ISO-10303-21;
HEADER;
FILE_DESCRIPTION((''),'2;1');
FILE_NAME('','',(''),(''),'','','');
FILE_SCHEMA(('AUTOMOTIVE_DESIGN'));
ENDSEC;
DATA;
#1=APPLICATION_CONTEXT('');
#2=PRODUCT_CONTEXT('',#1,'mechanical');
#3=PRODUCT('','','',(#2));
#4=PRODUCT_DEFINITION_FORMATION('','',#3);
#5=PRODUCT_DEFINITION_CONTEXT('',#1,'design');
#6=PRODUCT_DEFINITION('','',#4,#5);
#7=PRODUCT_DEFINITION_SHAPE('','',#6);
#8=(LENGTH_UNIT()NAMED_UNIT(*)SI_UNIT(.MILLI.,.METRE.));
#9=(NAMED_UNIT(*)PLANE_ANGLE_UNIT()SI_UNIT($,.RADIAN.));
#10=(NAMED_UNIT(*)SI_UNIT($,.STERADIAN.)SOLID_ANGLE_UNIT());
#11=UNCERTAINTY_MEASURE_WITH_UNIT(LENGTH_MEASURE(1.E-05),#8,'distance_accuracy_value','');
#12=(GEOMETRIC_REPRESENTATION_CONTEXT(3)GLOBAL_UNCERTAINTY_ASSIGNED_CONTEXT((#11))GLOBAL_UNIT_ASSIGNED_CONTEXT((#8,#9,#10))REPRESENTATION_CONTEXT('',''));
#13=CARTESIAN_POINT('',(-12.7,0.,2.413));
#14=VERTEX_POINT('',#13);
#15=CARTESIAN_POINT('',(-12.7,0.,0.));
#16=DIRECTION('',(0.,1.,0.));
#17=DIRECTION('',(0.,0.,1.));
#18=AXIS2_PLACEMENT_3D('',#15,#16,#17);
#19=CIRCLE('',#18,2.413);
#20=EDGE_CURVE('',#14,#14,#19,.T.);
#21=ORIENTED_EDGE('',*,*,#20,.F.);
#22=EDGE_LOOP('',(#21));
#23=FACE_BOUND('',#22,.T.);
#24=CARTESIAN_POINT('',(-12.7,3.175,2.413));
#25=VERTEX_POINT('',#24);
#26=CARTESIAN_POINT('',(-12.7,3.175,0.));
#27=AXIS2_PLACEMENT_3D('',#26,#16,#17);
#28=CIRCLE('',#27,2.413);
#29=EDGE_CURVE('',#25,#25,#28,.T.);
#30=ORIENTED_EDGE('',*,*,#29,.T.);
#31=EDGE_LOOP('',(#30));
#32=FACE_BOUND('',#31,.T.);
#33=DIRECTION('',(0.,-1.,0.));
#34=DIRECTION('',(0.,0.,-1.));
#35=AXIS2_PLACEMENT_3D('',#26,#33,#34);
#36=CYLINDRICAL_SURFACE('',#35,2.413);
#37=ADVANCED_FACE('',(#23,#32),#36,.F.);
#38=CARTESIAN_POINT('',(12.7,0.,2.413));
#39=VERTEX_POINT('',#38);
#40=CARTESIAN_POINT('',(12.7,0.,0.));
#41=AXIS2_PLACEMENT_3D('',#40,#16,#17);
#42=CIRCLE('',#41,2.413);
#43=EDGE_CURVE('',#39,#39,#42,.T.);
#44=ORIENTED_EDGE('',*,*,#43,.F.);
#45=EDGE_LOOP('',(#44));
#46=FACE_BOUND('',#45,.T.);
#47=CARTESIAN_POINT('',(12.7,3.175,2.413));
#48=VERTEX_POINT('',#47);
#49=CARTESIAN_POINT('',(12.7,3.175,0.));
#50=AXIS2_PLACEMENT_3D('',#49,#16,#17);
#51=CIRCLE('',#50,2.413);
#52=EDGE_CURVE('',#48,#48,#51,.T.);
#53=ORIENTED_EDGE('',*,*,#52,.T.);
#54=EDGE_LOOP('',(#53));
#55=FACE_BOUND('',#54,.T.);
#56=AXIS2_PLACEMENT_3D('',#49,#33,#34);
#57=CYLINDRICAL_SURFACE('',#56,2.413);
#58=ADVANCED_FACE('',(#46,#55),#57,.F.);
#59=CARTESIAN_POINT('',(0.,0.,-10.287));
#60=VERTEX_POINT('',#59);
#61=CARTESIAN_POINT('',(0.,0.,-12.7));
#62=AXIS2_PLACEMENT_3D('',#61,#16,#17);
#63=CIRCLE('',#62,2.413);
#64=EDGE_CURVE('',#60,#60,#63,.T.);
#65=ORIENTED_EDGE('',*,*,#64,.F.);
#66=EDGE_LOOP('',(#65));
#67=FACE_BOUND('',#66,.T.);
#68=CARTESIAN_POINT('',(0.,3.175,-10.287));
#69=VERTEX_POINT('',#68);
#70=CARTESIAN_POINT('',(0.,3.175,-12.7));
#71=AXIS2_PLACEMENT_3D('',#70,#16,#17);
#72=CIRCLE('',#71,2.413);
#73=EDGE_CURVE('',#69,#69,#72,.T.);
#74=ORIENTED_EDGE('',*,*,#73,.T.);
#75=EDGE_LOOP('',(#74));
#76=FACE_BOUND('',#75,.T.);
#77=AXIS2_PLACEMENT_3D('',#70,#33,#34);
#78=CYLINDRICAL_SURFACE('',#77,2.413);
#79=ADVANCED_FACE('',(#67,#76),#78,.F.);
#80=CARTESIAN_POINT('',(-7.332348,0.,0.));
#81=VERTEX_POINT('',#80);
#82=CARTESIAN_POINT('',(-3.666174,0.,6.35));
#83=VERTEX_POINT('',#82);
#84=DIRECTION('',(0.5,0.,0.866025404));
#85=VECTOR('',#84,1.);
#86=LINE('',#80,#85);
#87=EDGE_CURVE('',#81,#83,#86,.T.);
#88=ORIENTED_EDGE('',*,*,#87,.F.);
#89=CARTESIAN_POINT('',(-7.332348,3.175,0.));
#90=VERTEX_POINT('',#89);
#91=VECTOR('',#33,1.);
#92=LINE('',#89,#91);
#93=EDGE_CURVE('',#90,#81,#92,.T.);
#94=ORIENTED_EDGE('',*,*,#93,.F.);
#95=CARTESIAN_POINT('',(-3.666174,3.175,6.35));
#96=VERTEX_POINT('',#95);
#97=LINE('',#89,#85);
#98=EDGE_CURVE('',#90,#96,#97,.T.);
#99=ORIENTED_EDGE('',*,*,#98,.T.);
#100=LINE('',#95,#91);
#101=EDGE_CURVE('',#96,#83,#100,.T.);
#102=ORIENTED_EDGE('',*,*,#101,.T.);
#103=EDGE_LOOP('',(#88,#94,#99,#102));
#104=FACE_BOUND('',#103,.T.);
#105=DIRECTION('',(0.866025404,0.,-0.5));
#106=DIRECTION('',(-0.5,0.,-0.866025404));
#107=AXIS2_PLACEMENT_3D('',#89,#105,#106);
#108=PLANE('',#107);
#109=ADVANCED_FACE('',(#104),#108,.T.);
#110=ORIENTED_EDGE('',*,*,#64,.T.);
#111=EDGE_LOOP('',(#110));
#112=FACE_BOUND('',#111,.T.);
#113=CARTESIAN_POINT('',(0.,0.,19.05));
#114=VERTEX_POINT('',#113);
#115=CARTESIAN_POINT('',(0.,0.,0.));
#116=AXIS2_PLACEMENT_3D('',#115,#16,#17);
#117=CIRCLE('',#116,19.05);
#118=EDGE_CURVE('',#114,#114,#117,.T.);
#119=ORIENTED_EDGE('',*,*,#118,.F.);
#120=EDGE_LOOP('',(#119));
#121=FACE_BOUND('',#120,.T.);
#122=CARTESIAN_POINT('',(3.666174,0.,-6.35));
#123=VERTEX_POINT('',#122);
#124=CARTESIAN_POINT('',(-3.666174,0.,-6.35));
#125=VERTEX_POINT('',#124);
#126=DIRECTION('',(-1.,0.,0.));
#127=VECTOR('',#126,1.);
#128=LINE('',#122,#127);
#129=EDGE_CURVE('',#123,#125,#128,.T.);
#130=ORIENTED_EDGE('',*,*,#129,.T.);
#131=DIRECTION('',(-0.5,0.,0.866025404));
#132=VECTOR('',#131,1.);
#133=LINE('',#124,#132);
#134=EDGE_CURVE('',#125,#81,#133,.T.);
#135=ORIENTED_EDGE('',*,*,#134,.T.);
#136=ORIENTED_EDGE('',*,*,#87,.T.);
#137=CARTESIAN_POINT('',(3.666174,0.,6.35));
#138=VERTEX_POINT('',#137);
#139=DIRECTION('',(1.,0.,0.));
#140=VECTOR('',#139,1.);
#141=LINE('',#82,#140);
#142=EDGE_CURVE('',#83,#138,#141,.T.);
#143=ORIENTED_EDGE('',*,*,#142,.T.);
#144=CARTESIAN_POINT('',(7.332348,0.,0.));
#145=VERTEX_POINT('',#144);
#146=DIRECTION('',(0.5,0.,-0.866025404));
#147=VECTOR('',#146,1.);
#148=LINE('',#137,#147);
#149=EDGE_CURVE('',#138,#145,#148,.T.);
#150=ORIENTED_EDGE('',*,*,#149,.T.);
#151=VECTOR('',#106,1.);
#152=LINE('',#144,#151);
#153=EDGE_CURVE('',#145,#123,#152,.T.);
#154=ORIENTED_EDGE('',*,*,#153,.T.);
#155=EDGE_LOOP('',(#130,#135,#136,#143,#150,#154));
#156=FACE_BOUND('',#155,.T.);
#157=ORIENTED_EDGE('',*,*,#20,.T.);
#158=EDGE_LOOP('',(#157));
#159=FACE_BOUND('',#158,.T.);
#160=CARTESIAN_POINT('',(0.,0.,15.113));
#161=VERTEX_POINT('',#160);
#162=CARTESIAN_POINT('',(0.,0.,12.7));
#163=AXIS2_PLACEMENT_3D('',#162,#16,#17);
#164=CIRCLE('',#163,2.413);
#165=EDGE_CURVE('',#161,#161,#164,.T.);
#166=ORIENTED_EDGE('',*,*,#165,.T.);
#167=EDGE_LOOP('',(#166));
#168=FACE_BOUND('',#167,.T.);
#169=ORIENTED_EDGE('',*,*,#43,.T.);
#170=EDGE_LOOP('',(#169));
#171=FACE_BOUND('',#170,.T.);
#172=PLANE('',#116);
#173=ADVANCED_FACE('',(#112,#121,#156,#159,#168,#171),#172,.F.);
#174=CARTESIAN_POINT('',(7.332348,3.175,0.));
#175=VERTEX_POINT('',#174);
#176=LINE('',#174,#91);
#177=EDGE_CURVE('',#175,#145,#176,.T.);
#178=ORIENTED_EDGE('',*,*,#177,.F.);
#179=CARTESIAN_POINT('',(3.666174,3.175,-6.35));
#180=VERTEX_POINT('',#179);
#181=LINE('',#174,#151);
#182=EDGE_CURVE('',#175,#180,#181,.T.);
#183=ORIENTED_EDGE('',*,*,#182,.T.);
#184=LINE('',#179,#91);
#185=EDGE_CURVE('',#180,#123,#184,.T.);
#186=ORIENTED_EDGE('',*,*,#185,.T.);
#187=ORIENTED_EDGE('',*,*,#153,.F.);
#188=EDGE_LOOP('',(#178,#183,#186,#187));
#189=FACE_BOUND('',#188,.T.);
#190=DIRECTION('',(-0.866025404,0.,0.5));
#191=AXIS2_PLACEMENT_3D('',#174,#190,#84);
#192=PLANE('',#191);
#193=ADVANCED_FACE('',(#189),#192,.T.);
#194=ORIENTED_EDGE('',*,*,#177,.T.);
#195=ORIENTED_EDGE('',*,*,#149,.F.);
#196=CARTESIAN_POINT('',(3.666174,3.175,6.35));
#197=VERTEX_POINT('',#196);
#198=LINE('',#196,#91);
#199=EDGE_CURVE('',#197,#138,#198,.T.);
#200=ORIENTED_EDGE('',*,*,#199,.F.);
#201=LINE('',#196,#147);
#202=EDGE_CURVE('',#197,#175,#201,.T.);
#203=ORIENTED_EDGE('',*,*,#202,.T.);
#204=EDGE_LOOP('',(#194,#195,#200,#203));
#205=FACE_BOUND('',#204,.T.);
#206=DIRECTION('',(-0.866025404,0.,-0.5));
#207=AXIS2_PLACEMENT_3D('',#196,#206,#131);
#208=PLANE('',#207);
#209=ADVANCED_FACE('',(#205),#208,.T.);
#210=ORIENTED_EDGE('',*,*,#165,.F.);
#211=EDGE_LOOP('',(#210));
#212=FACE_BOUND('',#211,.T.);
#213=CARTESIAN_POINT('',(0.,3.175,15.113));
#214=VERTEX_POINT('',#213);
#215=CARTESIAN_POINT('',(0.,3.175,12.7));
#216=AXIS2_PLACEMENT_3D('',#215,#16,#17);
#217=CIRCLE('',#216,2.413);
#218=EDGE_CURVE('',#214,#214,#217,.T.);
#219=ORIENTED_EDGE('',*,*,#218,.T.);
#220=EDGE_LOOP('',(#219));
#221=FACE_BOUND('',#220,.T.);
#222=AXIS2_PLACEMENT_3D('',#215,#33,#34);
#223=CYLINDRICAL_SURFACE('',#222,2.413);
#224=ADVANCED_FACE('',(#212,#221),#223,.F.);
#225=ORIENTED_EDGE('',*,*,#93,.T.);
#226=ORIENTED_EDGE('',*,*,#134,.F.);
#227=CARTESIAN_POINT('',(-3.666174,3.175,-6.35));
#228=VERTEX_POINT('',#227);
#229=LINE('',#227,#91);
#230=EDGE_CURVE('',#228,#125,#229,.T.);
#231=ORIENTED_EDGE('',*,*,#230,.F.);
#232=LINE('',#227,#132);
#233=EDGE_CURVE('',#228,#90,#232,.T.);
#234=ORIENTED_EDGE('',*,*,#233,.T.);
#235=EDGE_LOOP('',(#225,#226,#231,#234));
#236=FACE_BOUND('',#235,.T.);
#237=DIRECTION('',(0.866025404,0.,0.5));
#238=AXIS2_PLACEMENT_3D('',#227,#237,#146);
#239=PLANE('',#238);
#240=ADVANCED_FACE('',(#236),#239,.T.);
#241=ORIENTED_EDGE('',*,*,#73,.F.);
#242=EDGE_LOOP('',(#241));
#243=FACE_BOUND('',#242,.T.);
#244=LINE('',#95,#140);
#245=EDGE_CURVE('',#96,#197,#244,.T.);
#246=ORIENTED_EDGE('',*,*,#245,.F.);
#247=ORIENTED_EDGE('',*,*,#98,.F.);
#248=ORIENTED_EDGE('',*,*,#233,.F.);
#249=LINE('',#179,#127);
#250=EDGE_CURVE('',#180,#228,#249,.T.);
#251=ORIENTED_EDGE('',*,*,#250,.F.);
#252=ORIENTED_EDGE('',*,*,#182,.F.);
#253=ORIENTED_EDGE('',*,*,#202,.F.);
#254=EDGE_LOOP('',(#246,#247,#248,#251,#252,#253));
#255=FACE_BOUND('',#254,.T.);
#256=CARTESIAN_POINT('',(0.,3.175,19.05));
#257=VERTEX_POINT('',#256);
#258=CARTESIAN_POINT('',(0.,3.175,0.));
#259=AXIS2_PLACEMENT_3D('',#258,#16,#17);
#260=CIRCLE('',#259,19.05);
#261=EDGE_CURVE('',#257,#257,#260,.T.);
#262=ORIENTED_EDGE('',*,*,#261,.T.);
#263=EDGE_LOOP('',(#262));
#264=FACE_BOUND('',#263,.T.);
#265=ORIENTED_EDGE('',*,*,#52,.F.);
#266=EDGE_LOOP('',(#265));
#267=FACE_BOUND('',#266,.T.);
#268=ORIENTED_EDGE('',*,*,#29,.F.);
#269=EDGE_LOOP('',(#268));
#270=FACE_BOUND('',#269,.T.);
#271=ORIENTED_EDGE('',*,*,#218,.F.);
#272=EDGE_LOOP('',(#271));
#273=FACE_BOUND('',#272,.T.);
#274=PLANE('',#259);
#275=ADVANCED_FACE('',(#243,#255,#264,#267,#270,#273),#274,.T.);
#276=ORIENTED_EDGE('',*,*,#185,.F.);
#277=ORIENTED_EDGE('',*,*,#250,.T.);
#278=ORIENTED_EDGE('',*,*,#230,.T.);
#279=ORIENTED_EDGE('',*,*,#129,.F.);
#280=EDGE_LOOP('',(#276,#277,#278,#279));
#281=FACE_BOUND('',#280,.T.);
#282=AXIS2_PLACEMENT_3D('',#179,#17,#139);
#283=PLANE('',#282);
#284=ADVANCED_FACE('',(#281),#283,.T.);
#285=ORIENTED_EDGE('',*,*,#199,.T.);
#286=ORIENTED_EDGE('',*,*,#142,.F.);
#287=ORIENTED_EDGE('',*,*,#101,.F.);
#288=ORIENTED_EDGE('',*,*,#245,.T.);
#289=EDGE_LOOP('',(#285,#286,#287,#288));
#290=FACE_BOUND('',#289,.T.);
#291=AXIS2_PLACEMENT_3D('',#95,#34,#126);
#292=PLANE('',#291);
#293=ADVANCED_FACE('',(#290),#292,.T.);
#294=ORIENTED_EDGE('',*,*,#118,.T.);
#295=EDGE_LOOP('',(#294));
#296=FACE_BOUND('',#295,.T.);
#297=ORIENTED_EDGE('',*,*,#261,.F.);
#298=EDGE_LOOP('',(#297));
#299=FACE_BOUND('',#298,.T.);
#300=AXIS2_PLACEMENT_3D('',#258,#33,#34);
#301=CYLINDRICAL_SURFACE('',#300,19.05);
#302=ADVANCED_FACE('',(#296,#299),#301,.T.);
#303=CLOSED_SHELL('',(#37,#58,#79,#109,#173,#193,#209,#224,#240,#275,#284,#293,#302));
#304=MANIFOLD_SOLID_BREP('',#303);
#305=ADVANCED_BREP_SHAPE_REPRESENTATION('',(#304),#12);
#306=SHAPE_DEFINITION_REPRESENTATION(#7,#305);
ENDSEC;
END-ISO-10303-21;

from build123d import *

# Parameters (mm, degrees)
SKETCH1_R           = 19.05
SKETCH1_R_2         = 2.413
BOSS_EXTRUDE1_DEPTH = 3.175


with BuildPart() as part:
    # Sketch1 → Boss-Extrude1 (new body)
    with BuildSketch(Plane(origin=(0, 0, 0), x_dir=(1, 0, 0), z_dir=(0, 1, 0))):
        Circle(SKETCH1_R)
        with Locations((0, 12.7)):
            Circle(SKETCH1_R_2, mode=Mode.SUBTRACT)
        with Locations((12.7, 0)):
            Circle(SKETCH1_R_2, mode=Mode.SUBTRACT)
        with Locations((0, -12.7)):
            Circle(SKETCH1_R_2, mode=Mode.SUBTRACT)
        with Locations((-12.7, 0)):
            Circle(SKETCH1_R_2, mode=Mode.SUBTRACT)
        Polygon((-7.332348419, 0), (-3.666174209, -6.35), (3.666174209, -6.35), (7.332348419, 0), (3.666174209, 6.35), (-3.666174209, 6.35), align=None, mode=Mode.SUBTRACT)
    extrude(amount=BOSS_EXTRUDE1_DEPTH)


solid = part.part
